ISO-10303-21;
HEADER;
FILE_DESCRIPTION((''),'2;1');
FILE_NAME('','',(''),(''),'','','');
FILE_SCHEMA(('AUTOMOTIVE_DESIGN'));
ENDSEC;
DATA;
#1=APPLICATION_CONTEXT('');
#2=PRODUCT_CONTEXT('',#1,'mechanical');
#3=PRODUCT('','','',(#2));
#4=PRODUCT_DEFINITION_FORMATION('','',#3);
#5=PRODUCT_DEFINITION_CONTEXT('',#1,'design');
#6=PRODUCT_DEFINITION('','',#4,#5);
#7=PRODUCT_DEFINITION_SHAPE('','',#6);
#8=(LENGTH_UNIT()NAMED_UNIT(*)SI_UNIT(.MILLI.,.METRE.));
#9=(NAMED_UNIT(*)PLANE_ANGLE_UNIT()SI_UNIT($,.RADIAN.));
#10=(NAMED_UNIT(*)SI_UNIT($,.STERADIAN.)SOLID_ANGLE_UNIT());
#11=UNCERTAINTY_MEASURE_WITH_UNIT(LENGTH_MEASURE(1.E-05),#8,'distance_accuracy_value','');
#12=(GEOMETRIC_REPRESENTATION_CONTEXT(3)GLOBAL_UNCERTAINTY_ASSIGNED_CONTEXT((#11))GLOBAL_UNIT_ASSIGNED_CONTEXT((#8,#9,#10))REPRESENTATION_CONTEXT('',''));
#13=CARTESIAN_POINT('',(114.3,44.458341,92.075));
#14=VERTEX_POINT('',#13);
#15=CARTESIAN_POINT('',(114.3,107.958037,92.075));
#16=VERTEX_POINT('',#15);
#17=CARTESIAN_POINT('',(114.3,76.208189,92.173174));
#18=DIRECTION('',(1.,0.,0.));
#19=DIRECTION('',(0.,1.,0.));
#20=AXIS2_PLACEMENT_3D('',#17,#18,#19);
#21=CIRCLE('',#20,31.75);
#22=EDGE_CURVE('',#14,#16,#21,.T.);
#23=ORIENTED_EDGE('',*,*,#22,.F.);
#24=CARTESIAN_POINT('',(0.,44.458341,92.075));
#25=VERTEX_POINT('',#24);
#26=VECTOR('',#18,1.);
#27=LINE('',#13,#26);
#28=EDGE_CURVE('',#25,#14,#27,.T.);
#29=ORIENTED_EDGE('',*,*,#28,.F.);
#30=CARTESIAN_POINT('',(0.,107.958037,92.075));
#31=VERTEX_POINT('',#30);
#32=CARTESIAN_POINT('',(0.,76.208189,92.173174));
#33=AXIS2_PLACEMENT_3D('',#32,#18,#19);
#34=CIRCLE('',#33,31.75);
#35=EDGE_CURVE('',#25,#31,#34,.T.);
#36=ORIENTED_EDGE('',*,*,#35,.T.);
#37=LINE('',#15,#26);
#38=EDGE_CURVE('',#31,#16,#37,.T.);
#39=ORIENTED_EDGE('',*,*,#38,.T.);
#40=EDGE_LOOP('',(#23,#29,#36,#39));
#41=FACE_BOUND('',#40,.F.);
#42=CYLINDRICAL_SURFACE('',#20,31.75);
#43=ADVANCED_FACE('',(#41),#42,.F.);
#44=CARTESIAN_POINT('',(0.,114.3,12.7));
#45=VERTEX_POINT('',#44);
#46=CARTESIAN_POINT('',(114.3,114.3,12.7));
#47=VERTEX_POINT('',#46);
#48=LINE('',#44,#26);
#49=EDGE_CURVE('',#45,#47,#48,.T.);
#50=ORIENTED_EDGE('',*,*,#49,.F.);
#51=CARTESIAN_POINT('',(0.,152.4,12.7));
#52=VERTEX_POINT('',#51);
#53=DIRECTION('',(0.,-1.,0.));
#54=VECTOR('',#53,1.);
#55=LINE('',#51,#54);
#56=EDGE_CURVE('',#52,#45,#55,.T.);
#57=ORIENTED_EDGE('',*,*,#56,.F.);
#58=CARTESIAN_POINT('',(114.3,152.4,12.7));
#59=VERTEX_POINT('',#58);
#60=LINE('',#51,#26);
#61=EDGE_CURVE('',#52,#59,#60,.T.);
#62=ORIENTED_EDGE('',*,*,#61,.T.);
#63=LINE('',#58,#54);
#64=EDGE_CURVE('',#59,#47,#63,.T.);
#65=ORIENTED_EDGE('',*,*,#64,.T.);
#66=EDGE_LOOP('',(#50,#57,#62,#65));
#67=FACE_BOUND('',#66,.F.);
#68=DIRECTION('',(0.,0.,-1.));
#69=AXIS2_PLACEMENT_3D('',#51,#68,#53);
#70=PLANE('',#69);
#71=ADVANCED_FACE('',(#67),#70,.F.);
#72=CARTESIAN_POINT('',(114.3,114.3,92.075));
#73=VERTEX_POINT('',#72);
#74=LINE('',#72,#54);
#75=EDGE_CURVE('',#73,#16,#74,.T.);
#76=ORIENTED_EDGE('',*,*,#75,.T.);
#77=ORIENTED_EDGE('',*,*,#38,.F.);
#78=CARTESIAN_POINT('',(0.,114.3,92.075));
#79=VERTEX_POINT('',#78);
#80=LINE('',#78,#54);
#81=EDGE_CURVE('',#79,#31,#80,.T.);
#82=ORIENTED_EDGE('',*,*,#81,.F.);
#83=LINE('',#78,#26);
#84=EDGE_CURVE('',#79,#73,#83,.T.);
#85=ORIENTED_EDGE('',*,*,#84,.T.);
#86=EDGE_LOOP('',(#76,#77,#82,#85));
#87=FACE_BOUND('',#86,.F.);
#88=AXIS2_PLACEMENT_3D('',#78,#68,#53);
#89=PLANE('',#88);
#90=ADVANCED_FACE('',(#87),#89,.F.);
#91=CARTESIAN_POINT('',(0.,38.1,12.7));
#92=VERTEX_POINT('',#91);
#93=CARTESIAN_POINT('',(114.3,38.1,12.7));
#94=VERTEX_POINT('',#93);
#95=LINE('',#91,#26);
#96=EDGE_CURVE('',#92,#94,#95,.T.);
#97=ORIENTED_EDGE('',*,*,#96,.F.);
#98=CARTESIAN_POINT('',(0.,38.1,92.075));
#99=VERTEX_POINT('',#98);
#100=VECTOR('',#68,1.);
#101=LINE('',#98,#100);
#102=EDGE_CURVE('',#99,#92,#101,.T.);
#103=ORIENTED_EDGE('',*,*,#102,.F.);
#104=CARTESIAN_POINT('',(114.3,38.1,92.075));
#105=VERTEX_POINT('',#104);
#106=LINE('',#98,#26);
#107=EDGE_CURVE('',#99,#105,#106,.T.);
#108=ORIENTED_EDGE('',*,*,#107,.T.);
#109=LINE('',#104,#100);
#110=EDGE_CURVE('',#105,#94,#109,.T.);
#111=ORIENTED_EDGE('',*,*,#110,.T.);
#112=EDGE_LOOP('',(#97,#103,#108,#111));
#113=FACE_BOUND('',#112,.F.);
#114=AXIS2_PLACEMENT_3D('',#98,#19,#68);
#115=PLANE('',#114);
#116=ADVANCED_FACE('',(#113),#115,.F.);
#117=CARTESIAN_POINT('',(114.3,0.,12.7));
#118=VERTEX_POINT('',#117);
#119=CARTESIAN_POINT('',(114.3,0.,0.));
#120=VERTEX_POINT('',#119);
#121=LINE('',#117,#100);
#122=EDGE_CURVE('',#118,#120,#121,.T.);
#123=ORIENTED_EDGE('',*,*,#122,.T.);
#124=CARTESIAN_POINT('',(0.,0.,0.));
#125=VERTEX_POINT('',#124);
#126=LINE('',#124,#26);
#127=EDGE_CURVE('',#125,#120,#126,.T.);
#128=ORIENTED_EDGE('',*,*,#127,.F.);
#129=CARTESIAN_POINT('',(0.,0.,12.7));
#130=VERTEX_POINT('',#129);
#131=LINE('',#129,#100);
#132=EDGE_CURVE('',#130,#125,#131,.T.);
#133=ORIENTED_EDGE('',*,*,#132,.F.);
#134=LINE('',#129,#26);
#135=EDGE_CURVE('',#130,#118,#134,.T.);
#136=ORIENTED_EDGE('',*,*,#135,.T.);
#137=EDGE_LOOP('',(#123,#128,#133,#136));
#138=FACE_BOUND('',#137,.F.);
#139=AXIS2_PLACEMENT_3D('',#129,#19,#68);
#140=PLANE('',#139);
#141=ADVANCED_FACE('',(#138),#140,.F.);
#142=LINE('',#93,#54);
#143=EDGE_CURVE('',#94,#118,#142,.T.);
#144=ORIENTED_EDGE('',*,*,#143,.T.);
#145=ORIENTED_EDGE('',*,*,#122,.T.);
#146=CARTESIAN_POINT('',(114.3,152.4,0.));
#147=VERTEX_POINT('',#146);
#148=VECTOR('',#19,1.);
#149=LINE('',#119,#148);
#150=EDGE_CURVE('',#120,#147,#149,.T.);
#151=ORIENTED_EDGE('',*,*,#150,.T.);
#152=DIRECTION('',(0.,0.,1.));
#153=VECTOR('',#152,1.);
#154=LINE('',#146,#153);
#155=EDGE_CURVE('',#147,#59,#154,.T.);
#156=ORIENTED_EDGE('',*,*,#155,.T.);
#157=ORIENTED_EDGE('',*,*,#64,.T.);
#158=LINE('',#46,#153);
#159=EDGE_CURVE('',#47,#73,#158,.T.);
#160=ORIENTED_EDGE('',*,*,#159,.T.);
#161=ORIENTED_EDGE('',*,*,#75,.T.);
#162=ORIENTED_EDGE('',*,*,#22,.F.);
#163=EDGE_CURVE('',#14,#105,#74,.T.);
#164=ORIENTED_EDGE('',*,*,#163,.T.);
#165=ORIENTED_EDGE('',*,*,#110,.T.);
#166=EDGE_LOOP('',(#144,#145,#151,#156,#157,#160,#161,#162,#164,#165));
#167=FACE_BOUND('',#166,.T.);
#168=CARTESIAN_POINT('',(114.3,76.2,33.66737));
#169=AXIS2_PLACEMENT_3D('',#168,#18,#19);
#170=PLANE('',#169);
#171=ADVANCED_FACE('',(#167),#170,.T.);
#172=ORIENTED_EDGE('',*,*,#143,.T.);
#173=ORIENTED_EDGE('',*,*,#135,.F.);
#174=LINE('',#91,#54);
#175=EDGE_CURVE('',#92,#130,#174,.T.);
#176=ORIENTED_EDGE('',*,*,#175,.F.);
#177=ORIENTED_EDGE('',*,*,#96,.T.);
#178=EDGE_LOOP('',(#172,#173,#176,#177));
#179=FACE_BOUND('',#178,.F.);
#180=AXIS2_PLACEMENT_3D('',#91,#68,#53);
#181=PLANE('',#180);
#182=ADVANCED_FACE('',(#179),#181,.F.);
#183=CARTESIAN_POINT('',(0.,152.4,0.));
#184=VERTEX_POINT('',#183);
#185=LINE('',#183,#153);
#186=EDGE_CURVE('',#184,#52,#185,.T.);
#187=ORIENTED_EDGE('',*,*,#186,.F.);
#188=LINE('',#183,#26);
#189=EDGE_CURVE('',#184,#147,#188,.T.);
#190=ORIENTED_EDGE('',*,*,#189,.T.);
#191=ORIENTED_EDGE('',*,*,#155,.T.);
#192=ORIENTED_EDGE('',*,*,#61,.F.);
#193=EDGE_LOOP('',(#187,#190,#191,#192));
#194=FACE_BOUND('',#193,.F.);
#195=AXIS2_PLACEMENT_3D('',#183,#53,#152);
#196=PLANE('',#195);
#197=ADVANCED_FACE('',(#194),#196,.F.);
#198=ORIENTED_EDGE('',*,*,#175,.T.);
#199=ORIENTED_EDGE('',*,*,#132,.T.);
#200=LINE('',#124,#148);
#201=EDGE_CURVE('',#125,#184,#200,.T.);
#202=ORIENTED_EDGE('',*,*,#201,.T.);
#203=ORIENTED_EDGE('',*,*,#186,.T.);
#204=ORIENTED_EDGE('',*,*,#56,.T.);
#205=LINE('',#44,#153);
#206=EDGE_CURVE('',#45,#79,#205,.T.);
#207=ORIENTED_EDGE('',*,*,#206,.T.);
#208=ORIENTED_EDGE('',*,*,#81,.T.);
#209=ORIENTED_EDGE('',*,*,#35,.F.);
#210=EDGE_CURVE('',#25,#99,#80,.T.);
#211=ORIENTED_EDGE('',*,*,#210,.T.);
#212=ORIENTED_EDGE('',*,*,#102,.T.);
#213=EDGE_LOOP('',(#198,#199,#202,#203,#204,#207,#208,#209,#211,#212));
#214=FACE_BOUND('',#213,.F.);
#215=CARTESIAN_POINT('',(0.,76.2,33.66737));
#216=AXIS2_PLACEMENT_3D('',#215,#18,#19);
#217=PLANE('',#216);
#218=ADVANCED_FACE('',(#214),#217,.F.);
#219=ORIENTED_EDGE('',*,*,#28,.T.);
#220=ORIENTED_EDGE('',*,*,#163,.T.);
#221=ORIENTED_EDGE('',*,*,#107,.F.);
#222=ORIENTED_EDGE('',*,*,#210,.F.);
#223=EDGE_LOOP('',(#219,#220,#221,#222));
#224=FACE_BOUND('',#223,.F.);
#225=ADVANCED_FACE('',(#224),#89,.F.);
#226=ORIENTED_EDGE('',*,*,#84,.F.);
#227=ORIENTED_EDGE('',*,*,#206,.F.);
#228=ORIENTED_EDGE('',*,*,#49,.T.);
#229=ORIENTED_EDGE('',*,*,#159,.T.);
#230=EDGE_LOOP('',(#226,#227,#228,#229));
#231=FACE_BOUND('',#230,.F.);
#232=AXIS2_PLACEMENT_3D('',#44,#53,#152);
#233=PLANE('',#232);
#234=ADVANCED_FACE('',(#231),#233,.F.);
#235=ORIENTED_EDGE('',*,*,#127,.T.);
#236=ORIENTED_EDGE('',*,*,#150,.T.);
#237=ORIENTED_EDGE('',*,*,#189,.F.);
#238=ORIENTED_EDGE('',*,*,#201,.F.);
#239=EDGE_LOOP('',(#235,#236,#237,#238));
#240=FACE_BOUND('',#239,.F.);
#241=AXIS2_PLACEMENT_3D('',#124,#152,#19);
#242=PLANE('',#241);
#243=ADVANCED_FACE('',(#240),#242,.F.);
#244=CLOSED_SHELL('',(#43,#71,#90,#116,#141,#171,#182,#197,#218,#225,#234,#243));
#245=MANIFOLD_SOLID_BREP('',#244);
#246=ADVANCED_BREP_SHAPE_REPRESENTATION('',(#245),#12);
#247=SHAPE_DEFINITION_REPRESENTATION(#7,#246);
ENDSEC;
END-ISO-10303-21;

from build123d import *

# Parameters (mm, degrees)
F1_DEPTH = 114.3
F3_R     = 31.75
F4_DEPTH = 114.301


with BuildPart() as f1:
    # F0 (on Right) → F1 (new body)
    with BuildSketch(Plane.YZ):
        Polygon((0, 12.7), (0, 0), (152.4, 0), (152.4, 12.7), (114.3, 12.7), (114.3, 92.075), (38.1, 92.075), (38.1, 12.7), align=None)
    extrude(amount=F1_DEPTH)

    # F3 (on face) → F4 (cut, through all)
    with BuildSketch(Plane.YZ.offset(114.3)):
        with Locations((76.208189, 92.173174)):
            Circle(F3_R)
    extrude(amount=-F4_DEPTH, mode=Mode.SUBTRACT)


solid = f1.part
